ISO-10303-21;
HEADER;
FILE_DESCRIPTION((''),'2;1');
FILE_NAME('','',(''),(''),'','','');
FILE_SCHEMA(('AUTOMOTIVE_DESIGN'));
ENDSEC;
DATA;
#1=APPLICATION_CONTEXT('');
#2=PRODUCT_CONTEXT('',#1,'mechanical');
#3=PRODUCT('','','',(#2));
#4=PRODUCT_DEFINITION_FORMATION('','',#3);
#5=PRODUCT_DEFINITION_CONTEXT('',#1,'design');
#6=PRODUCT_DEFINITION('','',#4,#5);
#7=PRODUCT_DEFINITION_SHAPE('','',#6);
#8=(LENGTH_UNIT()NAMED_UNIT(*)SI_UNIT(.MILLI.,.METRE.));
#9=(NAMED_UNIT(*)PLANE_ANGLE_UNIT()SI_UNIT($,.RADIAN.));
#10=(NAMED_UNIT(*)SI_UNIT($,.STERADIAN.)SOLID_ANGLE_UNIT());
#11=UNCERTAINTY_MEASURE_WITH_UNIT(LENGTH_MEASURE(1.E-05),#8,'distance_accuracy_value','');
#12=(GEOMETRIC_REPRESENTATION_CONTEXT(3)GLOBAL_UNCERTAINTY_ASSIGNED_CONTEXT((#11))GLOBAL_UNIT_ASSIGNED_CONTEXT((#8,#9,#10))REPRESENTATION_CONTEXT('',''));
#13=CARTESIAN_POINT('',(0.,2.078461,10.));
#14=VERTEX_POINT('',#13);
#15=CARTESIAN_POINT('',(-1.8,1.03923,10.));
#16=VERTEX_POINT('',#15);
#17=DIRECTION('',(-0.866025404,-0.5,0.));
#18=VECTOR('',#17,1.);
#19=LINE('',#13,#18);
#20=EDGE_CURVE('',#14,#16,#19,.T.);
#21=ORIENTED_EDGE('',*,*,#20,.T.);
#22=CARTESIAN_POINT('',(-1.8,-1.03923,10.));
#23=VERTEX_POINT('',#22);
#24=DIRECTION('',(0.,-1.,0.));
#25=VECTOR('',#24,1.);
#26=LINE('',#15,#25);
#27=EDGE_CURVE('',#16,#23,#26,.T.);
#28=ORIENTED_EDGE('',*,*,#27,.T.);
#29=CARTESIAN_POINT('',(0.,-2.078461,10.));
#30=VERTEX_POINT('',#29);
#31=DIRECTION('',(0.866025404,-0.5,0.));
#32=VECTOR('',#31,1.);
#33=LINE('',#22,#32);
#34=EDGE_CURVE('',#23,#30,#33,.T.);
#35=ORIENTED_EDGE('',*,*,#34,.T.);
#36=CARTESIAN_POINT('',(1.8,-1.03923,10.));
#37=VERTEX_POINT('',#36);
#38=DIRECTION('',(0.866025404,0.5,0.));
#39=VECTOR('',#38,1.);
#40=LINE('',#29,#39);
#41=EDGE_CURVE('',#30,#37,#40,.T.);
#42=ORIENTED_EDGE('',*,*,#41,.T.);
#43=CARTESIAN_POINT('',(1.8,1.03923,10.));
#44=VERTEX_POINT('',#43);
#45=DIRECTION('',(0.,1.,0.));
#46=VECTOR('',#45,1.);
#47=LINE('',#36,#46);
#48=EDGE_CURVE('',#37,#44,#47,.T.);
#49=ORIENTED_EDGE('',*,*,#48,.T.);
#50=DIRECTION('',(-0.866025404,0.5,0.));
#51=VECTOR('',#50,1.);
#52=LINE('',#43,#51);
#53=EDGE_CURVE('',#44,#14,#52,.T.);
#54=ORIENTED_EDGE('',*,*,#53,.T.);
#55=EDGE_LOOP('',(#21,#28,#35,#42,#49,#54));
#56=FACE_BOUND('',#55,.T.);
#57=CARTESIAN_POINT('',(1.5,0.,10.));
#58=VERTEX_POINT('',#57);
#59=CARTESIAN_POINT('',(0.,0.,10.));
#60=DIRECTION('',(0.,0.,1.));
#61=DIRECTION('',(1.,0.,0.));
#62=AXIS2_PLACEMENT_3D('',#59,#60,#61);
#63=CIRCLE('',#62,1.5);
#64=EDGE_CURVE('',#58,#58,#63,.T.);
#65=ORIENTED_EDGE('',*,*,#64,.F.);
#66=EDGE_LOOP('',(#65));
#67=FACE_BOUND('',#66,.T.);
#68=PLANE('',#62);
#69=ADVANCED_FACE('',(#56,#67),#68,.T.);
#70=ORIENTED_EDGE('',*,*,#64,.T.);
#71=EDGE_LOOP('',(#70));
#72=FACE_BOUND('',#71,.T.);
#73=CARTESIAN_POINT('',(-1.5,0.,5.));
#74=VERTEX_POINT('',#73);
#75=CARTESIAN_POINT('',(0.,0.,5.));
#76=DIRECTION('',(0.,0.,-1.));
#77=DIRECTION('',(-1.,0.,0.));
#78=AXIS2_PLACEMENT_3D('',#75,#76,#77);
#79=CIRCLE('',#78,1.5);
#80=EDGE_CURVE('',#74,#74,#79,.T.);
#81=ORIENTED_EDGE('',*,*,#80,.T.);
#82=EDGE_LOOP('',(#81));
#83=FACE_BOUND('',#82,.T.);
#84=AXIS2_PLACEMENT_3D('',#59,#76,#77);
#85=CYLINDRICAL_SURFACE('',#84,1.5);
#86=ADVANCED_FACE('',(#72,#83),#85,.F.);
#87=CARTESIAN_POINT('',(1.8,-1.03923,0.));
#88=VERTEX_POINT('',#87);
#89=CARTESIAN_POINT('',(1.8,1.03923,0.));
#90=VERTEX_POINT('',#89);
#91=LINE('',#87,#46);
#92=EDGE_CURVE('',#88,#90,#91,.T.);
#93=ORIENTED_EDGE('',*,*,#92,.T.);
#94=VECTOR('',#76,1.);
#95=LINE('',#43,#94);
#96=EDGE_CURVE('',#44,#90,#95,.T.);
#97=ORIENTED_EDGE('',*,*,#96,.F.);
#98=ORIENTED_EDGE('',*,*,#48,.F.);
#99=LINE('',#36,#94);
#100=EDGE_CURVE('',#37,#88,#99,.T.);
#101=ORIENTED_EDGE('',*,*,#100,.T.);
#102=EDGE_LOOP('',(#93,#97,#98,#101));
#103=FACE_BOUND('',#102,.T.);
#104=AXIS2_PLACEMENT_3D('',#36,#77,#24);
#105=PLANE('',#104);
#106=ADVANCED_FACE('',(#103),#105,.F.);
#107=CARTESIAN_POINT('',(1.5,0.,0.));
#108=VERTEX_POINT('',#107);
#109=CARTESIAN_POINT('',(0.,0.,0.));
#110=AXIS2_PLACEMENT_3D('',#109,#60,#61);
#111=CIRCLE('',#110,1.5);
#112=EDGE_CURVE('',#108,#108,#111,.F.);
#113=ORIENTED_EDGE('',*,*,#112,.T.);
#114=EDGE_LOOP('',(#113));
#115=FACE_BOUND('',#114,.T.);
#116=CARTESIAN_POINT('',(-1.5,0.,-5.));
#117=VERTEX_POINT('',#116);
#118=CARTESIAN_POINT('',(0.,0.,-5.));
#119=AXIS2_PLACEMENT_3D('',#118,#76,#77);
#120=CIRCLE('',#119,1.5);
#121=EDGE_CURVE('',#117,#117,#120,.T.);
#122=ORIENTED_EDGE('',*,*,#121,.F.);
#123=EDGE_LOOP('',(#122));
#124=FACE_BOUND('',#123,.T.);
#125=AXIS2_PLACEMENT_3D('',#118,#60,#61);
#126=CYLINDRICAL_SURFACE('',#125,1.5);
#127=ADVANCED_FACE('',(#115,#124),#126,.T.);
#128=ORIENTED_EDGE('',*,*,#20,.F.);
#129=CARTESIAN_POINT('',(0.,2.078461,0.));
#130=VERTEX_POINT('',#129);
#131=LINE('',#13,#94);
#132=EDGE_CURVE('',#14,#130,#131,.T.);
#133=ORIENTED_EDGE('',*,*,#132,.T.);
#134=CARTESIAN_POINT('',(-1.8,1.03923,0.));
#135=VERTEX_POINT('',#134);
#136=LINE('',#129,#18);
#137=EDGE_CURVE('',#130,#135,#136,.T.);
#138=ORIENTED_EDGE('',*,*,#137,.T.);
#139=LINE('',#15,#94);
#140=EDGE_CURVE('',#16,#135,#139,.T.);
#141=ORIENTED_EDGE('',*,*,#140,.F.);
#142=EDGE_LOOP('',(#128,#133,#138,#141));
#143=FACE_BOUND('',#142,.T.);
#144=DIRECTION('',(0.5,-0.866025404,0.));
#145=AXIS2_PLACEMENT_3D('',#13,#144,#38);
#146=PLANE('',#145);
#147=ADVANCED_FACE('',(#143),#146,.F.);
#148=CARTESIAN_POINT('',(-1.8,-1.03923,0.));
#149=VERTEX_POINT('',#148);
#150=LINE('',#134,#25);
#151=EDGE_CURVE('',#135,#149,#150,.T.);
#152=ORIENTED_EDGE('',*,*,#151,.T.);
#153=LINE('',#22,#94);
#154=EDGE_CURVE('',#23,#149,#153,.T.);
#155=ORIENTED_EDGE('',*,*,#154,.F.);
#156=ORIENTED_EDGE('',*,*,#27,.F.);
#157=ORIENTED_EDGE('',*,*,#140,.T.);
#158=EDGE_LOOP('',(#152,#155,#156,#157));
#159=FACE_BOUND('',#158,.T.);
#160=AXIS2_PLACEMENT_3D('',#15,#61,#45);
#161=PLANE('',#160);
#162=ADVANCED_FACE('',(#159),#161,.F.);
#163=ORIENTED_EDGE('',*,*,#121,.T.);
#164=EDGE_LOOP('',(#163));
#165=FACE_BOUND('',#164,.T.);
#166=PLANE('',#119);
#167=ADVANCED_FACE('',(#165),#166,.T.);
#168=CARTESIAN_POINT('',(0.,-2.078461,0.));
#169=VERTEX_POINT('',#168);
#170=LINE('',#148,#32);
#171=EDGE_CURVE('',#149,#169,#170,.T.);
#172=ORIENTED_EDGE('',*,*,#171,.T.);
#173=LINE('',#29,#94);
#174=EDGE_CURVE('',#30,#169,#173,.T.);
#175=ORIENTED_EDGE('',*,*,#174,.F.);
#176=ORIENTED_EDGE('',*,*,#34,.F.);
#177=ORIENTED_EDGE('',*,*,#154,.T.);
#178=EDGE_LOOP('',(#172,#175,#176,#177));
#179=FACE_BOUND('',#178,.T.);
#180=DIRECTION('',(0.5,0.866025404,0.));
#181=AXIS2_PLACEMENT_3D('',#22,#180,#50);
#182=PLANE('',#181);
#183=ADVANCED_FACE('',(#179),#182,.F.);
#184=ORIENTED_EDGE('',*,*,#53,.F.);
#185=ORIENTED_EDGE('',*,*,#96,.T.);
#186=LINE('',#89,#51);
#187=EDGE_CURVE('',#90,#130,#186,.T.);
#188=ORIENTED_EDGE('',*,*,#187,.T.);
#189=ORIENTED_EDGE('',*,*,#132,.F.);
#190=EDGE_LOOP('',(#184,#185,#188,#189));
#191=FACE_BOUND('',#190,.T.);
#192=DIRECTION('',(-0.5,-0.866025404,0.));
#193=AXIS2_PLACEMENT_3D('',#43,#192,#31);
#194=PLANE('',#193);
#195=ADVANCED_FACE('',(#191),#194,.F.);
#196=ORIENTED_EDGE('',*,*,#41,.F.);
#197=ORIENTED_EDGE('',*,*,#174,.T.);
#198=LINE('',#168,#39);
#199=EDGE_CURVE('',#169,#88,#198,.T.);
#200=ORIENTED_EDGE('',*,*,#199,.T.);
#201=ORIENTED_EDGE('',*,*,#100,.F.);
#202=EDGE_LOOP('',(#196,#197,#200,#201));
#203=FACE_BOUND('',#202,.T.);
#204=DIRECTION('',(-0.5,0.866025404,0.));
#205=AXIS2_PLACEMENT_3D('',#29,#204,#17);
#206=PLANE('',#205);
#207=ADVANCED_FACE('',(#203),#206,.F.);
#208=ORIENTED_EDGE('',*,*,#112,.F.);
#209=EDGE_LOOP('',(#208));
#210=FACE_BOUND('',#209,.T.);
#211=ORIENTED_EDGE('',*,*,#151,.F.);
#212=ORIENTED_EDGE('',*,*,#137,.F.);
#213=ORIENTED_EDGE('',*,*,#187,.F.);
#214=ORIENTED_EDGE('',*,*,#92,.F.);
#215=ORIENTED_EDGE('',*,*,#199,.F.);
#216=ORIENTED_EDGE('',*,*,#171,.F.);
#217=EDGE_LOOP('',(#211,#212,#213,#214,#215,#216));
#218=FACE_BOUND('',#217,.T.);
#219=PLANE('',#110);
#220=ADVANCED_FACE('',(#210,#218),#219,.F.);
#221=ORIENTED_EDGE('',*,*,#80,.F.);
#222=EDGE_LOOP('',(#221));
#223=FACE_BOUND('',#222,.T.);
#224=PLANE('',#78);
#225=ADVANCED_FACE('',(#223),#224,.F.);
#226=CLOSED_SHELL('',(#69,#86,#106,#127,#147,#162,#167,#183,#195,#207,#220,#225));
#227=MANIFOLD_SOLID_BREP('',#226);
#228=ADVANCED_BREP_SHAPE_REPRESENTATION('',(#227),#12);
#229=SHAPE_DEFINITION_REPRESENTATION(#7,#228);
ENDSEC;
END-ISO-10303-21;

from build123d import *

# Parameters (mm, degrees)
SKETCH_1_R      = 1.5
EXTRUDE_1_DEPTH = 10
SKETCH_2_R      = 1.5
EXTRUDE_2_DEPTH = 5


with BuildPart() as part:
    # 草图1 → 凸台-拉伸1 (new body)
    with BuildSketch(Plane.XY):
        Polygon((0, 2.078460969), (-1.8, 1.039230485), (-1.8, -1.039230485), (0, -2.078460969), (1.8, -1.039230485), (1.8, 1.039230485), align=None)
        Circle(SKETCH_1_R, mode=Mode.SUBTRACT)
    extrude(amount=EXTRUDE_1_DEPTH)

    # 草图2 → 凸台-拉伸2 (add, symmetric)
    with BuildSketch(Plane(origin=(0, 0, 0), x_dir=(-1, 0, 0), z_dir=(0, 0, -1))):
        Circle(SKETCH_2_R)
    extrude(amount=EXTRUDE_2_DEPTH, both=True)


solid = part.part
